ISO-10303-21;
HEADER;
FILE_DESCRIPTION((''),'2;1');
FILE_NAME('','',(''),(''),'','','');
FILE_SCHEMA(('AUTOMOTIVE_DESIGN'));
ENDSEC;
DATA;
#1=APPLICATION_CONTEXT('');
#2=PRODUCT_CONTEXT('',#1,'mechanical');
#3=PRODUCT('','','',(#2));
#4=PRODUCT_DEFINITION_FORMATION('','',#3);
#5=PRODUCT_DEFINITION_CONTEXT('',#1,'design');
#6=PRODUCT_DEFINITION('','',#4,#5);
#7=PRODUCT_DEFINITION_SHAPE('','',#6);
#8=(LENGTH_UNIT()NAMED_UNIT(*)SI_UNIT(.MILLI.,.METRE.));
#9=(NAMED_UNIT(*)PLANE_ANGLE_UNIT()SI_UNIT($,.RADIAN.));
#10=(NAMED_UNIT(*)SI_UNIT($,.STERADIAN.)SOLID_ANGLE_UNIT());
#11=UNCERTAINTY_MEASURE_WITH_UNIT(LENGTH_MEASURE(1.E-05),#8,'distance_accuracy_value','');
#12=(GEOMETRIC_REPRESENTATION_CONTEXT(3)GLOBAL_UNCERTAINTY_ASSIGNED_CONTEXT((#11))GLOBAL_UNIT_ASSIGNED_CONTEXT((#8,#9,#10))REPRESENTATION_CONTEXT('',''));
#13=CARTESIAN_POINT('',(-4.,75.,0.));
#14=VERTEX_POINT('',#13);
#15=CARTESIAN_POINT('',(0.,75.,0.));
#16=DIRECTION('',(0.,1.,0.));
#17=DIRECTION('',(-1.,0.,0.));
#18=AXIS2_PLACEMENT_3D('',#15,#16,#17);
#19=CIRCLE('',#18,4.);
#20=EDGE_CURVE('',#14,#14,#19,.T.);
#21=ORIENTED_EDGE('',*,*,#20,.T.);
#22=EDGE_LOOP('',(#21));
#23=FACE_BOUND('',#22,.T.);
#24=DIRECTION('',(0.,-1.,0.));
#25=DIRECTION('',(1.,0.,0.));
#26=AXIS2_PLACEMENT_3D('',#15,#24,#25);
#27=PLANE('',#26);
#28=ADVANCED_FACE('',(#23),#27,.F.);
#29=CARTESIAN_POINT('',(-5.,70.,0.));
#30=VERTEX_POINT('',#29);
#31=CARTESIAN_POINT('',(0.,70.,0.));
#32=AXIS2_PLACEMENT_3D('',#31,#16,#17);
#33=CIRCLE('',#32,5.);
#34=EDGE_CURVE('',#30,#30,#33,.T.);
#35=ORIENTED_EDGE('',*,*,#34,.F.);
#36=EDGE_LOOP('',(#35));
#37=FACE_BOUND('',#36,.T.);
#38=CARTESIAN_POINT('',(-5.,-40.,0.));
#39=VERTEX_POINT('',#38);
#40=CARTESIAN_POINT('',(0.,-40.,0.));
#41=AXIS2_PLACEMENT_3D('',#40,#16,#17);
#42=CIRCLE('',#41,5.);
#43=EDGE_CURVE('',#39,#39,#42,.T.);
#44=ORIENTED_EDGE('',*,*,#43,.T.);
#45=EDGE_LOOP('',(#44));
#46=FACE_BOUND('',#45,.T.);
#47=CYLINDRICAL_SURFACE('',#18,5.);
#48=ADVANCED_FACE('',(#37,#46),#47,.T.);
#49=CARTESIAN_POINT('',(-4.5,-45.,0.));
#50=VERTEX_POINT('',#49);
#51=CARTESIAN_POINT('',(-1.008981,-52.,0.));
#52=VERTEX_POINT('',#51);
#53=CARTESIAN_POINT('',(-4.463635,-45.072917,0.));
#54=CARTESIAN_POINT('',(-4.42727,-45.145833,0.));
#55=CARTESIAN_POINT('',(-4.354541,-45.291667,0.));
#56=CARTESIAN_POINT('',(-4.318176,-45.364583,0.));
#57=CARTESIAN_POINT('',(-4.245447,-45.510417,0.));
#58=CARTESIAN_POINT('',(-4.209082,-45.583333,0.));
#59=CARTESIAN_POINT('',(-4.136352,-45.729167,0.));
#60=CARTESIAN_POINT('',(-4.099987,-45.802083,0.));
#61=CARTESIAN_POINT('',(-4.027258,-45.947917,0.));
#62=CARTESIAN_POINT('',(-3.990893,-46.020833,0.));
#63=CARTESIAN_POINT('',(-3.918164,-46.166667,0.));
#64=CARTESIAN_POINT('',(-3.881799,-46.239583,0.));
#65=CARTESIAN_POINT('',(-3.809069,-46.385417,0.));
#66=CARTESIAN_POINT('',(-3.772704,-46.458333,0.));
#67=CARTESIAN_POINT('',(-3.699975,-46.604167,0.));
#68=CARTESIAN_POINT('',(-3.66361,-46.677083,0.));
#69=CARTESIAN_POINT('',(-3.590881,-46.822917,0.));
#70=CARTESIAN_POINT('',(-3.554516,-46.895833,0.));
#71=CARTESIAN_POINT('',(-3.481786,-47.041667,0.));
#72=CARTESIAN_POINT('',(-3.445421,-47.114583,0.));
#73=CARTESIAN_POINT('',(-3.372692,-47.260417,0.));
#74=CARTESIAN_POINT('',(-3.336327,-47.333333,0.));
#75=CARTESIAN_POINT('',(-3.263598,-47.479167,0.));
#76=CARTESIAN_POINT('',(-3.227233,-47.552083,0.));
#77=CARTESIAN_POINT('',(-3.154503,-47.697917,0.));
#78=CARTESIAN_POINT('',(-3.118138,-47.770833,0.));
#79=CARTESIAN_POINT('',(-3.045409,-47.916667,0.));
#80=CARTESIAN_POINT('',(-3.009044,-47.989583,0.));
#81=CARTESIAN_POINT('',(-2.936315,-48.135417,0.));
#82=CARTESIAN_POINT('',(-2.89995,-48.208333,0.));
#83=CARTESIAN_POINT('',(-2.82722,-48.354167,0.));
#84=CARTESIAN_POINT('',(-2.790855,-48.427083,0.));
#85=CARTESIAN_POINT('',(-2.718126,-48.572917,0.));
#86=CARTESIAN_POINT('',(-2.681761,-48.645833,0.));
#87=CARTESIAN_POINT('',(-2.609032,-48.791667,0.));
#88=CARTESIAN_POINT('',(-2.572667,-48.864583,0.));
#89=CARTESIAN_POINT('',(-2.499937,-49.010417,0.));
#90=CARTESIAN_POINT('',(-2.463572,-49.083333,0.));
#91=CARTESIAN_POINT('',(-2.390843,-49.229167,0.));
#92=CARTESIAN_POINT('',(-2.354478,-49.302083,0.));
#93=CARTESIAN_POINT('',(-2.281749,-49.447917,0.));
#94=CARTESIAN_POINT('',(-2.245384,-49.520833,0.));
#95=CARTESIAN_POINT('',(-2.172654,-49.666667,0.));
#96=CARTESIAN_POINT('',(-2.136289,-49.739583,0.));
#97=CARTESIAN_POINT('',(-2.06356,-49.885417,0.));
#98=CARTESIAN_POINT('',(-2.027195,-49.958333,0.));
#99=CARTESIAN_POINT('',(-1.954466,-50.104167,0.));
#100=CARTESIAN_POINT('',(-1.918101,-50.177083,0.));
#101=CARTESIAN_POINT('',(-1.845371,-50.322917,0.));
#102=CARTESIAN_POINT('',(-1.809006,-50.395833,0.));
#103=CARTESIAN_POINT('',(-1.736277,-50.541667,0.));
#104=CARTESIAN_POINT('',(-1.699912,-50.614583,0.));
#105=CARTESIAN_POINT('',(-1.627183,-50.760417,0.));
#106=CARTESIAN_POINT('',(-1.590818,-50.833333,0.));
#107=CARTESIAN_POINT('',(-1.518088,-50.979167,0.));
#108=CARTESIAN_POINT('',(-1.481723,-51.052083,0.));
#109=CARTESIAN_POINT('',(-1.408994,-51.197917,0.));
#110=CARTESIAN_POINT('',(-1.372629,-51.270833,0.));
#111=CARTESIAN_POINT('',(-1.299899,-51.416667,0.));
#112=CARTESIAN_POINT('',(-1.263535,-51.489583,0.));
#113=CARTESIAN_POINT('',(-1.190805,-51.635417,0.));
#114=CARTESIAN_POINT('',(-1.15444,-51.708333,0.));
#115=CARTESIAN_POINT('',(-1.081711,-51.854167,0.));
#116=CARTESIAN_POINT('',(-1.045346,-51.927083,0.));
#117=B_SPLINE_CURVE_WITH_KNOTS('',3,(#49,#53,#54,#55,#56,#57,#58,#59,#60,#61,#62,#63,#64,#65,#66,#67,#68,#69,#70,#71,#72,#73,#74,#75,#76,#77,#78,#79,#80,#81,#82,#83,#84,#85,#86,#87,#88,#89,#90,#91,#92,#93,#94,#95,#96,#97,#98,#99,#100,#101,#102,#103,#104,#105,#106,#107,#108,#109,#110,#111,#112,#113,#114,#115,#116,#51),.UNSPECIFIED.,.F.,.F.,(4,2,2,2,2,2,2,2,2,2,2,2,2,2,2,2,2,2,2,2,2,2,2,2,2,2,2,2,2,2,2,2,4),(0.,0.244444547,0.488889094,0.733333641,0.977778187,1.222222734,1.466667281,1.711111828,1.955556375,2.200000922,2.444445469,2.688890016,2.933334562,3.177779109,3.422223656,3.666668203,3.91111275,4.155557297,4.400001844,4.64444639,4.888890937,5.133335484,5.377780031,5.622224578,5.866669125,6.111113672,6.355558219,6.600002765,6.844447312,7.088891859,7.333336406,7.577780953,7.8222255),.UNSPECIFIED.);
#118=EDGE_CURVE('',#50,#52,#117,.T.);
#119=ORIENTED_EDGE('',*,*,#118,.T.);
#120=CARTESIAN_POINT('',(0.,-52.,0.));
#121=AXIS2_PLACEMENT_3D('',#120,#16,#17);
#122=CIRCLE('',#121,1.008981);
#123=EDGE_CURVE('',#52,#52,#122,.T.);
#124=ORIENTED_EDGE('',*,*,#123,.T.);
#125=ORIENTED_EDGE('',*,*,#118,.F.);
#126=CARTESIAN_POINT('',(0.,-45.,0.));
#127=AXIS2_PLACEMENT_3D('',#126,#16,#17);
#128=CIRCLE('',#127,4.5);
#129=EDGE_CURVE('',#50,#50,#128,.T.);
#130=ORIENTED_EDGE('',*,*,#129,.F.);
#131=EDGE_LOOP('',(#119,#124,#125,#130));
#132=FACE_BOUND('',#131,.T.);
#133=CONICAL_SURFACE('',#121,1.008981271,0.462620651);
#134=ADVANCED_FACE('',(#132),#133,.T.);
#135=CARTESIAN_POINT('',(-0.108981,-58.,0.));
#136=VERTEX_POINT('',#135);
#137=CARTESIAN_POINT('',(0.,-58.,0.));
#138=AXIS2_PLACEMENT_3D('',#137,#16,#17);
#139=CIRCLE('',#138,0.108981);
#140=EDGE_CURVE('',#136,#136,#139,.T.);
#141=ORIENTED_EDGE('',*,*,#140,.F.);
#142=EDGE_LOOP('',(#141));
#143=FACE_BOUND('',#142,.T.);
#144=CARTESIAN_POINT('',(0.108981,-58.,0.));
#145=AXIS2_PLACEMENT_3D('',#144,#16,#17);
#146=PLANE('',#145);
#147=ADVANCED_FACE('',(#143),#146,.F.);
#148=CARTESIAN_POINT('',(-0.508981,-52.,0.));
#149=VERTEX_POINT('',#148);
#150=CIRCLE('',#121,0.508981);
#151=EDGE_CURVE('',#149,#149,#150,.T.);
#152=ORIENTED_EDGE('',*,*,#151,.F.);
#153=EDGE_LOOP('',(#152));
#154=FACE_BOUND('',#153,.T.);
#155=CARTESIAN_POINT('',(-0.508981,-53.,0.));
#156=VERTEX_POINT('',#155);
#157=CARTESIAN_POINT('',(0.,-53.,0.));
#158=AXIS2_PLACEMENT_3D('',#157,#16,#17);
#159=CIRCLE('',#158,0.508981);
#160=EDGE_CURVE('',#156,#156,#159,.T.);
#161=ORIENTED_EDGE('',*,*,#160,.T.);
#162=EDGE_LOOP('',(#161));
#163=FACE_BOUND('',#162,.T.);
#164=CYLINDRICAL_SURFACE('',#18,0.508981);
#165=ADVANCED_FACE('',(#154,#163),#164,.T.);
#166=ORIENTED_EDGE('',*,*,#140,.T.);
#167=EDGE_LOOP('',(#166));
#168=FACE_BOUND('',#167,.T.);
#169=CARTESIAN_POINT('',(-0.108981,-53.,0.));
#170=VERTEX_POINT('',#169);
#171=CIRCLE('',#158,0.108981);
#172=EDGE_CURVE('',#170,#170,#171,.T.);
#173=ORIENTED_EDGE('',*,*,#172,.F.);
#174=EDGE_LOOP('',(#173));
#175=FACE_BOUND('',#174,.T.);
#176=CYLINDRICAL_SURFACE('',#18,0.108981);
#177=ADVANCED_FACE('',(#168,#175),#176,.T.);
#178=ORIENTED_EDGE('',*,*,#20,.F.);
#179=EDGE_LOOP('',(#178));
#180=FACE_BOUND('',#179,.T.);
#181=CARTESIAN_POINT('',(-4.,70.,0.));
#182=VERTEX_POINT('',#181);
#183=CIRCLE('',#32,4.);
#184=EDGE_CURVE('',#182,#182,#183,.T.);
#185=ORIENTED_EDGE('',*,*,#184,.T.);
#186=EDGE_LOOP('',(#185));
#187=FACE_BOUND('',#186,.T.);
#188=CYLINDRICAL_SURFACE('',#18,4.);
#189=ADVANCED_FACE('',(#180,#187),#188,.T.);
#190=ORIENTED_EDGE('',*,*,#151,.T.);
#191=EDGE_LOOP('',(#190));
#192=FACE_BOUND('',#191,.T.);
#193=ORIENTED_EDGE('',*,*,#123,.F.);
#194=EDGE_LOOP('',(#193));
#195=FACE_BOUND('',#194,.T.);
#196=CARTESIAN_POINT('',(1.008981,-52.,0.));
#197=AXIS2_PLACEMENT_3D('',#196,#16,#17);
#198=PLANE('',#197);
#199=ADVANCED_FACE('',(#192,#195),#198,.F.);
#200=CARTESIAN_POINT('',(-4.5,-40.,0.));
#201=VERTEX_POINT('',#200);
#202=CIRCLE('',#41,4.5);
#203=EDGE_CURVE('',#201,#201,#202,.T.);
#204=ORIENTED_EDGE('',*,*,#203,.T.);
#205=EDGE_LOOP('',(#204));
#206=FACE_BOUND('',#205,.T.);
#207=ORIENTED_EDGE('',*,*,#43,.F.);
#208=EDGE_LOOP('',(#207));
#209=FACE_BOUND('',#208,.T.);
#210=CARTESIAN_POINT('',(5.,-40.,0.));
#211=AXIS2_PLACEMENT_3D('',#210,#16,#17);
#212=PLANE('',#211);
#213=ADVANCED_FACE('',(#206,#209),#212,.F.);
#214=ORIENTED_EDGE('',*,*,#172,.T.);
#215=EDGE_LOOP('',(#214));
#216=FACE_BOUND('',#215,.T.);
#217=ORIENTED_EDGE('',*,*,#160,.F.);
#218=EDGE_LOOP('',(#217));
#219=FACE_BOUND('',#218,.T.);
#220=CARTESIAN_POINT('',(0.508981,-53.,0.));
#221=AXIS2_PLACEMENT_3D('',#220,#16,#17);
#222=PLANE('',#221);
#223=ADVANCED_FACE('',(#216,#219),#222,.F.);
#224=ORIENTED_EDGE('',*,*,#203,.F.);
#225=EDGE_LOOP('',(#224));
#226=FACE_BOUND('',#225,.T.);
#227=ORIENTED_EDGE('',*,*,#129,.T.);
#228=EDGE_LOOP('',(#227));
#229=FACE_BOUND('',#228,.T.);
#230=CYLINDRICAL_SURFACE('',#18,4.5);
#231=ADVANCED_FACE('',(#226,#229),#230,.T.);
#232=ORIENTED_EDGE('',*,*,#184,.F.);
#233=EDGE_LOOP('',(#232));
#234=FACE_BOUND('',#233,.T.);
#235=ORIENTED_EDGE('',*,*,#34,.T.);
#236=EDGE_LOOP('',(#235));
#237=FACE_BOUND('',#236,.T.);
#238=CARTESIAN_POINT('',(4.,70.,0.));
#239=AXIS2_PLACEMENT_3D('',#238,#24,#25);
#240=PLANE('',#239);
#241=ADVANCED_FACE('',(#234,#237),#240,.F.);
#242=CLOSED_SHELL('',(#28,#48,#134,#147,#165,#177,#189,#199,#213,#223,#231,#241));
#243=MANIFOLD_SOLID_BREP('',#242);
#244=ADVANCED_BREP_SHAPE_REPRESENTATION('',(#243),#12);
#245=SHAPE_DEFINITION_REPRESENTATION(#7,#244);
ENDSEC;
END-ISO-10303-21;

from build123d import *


with BuildPart() as part:
    # Sketch1 → Revolve1 (revolve)
    with BuildSketch(Plane.XY, mode=Mode.PRIVATE) as revolve1_sk:
        Polygon((0, 75), (4, 75), (4, 70), (5, 70), (5, -40), (4.5, -40), (4.5, -45), (1.008981271, -52), (0.508981271, -52), (0.508981271, -53), (0.108981271, -53), (0.108981271, -58), (0, -58), align=None)
    revolve(revolve1_sk.sketch.rotate(Axis((0, 75, 0), (0, -1, 0)), 180), axis=Axis((0, 75, 0), (0, -1, 0)))


solid = part.part
